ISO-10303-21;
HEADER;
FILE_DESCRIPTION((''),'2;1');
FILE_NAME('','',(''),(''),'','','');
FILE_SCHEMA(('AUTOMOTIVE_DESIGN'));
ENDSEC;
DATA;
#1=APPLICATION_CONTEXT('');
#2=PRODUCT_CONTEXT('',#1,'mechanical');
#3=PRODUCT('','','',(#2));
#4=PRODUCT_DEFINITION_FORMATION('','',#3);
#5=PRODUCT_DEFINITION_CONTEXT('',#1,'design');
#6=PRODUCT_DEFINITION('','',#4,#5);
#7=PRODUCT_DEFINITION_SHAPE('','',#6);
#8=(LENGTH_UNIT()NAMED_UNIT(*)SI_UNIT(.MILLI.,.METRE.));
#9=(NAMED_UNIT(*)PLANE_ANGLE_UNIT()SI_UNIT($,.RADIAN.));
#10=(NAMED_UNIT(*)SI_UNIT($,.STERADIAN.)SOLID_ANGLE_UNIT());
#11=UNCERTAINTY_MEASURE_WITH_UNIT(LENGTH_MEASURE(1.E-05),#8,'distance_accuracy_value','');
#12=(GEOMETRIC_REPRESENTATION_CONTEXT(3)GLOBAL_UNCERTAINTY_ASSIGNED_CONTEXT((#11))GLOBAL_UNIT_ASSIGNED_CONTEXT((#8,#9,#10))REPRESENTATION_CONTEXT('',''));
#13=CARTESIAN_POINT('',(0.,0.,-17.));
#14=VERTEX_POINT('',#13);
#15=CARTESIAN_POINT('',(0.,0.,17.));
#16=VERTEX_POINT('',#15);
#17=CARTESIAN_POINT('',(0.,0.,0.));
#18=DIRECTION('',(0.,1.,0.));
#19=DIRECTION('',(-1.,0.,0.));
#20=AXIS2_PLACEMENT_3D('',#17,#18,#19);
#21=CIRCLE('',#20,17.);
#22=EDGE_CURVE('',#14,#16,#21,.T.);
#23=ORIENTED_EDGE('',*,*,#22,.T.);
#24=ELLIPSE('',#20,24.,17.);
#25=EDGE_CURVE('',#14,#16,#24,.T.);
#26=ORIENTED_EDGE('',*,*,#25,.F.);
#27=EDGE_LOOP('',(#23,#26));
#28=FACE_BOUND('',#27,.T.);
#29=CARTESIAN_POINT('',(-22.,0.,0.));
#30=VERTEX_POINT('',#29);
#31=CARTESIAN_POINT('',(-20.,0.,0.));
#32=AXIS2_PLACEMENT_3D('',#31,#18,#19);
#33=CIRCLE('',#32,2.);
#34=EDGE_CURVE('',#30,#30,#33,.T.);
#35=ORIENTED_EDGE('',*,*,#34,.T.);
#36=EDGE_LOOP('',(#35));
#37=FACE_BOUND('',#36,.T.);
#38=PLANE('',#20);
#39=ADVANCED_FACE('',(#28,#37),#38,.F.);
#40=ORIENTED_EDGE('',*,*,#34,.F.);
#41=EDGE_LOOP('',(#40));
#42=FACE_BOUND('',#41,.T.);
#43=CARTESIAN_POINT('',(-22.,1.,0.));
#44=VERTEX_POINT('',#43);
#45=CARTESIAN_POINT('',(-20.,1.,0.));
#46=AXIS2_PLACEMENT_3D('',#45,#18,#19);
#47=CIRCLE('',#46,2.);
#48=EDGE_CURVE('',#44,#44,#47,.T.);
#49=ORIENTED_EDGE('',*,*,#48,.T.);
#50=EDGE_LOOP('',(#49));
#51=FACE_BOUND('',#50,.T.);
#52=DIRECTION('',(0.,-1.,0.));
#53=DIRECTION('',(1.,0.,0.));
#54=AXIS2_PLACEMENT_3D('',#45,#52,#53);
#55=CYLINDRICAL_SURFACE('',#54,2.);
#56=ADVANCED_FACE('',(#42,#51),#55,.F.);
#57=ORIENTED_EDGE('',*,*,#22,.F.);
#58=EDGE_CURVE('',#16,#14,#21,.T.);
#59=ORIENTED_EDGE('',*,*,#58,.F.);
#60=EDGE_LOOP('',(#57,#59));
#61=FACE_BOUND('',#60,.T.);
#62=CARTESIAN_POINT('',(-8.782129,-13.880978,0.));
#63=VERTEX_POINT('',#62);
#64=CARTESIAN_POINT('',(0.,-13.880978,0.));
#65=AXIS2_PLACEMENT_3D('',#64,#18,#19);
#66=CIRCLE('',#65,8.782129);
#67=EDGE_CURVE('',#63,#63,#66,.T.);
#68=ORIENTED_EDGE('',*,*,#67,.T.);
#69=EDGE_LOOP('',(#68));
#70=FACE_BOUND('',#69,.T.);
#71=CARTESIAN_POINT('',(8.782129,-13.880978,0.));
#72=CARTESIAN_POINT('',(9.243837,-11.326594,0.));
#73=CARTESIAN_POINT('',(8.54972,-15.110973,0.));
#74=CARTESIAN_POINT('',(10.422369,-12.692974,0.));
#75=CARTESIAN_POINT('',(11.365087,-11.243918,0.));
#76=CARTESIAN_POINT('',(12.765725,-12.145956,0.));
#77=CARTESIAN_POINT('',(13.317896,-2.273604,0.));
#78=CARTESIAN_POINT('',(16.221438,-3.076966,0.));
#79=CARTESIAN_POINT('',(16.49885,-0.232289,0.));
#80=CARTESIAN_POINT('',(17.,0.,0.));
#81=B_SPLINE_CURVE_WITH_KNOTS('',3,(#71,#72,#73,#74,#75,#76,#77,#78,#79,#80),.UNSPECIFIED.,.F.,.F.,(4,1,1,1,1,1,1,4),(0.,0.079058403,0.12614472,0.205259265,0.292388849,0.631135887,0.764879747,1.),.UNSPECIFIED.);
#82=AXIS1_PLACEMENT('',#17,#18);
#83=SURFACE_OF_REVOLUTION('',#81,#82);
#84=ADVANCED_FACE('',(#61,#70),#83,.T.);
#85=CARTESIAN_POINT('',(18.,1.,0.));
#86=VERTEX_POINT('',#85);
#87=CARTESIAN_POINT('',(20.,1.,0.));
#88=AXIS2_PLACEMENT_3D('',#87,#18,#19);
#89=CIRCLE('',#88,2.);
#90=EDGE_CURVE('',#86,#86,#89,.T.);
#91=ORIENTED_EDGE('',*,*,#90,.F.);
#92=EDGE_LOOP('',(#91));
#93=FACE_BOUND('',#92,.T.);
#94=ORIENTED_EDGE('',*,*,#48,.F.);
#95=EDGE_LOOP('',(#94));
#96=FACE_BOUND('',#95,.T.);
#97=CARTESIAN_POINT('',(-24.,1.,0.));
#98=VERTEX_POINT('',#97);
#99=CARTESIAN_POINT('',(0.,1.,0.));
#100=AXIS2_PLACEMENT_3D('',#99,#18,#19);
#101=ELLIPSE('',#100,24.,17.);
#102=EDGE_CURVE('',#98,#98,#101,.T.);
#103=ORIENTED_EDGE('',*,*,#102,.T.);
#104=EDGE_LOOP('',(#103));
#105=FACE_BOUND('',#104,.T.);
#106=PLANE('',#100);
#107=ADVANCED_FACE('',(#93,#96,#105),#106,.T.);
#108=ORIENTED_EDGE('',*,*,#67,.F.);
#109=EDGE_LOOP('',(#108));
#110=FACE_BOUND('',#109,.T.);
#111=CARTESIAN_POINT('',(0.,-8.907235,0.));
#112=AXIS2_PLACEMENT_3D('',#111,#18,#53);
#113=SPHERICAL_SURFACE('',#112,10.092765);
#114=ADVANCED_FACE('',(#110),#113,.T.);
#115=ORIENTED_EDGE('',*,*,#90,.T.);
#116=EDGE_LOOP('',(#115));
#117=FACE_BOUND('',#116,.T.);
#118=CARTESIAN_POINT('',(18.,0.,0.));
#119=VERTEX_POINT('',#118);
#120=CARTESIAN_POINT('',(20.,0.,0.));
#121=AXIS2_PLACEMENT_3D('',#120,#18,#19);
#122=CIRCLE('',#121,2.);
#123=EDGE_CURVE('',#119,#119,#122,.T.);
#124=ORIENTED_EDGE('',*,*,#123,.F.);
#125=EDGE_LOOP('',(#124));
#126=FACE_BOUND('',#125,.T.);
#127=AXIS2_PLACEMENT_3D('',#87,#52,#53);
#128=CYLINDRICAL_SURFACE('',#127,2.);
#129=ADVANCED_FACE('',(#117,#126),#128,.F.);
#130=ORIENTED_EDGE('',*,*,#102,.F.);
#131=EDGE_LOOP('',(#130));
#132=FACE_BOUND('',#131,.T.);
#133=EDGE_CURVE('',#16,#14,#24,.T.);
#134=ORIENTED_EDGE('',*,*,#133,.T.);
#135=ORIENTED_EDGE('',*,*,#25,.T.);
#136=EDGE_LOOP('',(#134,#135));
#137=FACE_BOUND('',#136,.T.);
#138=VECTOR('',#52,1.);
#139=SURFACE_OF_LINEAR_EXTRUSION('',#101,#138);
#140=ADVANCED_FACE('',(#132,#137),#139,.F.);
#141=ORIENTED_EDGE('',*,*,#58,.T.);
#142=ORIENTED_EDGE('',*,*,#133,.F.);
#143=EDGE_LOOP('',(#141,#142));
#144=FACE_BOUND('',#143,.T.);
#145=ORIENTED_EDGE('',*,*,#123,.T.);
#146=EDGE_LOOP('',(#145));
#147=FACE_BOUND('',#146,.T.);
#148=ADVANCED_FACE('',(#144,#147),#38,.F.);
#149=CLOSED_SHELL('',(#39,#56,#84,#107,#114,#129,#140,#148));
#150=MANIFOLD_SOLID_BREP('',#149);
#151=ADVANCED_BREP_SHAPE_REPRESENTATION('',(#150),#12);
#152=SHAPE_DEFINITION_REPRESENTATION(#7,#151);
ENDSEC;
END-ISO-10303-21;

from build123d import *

# Parameters (mm, degrees)
SKETCH2_RX          = 24
SKETCH2_RY          = 17
SKETCH2_R           = 2
BOSS_EXTRUDE1_DEPTH = 1


with BuildPart() as part:
    # Sketch1 → Revolve1 (revolve)
    with BuildSketch(Plane.XY):
        with BuildLine():
            Line((17, 0), (0, 0))
            Line((0, 0), (0, -19))
            ThreePointArc((0, -19), (5.082572599, -17.626831408), (8.782128956, -13.880977837))
            add(Edge.make_bspline(
                [(17, 0), (16.498849833, -0.232288976), (16.221438117, -3.076965946), (13.317896084, -2.27360381), (12.765724667, -12.145956319), (11.365086728, -11.243918489), (10.422368884, -12.692973846), (8.549719544, -15.110973084), (9.243837127, -11.326594194), (8.782128956, -13.880977837)],
                knots=[0, 0, 0, 0, 0.235120253, 0.368864113, 0.707611151, 0.794740735, 0.87385528, 0.920941597, 1, 1, 1, 1], degree=3))
        make_face()
    revolve(axis=Axis((0, 0, 0), (0, -1, 0)))

    # Sketch2 → Boss-Extrude1 (add)
    with BuildSketch(Plane(origin=(0, 0, 0), x_dir=(1, 0, 0), z_dir=(0, 1, 0))):
        with Locations(Location((0, 0), (0, 0, 0))):
            Ellipse(SKETCH2_RX, SKETCH2_RY)
        with Locations(Location((-20, 0, 0), (0, 0, 180))):
            Circle(SKETCH2_R, mode=Mode.SUBTRACT)
        with Locations(Location((20, 0, 0), (0, 0, 180))):
            Circle(SKETCH2_R, mode=Mode.SUBTRACT)
    extrude(amount=BOSS_EXTRUDE1_DEPTH)


solid = part.part
